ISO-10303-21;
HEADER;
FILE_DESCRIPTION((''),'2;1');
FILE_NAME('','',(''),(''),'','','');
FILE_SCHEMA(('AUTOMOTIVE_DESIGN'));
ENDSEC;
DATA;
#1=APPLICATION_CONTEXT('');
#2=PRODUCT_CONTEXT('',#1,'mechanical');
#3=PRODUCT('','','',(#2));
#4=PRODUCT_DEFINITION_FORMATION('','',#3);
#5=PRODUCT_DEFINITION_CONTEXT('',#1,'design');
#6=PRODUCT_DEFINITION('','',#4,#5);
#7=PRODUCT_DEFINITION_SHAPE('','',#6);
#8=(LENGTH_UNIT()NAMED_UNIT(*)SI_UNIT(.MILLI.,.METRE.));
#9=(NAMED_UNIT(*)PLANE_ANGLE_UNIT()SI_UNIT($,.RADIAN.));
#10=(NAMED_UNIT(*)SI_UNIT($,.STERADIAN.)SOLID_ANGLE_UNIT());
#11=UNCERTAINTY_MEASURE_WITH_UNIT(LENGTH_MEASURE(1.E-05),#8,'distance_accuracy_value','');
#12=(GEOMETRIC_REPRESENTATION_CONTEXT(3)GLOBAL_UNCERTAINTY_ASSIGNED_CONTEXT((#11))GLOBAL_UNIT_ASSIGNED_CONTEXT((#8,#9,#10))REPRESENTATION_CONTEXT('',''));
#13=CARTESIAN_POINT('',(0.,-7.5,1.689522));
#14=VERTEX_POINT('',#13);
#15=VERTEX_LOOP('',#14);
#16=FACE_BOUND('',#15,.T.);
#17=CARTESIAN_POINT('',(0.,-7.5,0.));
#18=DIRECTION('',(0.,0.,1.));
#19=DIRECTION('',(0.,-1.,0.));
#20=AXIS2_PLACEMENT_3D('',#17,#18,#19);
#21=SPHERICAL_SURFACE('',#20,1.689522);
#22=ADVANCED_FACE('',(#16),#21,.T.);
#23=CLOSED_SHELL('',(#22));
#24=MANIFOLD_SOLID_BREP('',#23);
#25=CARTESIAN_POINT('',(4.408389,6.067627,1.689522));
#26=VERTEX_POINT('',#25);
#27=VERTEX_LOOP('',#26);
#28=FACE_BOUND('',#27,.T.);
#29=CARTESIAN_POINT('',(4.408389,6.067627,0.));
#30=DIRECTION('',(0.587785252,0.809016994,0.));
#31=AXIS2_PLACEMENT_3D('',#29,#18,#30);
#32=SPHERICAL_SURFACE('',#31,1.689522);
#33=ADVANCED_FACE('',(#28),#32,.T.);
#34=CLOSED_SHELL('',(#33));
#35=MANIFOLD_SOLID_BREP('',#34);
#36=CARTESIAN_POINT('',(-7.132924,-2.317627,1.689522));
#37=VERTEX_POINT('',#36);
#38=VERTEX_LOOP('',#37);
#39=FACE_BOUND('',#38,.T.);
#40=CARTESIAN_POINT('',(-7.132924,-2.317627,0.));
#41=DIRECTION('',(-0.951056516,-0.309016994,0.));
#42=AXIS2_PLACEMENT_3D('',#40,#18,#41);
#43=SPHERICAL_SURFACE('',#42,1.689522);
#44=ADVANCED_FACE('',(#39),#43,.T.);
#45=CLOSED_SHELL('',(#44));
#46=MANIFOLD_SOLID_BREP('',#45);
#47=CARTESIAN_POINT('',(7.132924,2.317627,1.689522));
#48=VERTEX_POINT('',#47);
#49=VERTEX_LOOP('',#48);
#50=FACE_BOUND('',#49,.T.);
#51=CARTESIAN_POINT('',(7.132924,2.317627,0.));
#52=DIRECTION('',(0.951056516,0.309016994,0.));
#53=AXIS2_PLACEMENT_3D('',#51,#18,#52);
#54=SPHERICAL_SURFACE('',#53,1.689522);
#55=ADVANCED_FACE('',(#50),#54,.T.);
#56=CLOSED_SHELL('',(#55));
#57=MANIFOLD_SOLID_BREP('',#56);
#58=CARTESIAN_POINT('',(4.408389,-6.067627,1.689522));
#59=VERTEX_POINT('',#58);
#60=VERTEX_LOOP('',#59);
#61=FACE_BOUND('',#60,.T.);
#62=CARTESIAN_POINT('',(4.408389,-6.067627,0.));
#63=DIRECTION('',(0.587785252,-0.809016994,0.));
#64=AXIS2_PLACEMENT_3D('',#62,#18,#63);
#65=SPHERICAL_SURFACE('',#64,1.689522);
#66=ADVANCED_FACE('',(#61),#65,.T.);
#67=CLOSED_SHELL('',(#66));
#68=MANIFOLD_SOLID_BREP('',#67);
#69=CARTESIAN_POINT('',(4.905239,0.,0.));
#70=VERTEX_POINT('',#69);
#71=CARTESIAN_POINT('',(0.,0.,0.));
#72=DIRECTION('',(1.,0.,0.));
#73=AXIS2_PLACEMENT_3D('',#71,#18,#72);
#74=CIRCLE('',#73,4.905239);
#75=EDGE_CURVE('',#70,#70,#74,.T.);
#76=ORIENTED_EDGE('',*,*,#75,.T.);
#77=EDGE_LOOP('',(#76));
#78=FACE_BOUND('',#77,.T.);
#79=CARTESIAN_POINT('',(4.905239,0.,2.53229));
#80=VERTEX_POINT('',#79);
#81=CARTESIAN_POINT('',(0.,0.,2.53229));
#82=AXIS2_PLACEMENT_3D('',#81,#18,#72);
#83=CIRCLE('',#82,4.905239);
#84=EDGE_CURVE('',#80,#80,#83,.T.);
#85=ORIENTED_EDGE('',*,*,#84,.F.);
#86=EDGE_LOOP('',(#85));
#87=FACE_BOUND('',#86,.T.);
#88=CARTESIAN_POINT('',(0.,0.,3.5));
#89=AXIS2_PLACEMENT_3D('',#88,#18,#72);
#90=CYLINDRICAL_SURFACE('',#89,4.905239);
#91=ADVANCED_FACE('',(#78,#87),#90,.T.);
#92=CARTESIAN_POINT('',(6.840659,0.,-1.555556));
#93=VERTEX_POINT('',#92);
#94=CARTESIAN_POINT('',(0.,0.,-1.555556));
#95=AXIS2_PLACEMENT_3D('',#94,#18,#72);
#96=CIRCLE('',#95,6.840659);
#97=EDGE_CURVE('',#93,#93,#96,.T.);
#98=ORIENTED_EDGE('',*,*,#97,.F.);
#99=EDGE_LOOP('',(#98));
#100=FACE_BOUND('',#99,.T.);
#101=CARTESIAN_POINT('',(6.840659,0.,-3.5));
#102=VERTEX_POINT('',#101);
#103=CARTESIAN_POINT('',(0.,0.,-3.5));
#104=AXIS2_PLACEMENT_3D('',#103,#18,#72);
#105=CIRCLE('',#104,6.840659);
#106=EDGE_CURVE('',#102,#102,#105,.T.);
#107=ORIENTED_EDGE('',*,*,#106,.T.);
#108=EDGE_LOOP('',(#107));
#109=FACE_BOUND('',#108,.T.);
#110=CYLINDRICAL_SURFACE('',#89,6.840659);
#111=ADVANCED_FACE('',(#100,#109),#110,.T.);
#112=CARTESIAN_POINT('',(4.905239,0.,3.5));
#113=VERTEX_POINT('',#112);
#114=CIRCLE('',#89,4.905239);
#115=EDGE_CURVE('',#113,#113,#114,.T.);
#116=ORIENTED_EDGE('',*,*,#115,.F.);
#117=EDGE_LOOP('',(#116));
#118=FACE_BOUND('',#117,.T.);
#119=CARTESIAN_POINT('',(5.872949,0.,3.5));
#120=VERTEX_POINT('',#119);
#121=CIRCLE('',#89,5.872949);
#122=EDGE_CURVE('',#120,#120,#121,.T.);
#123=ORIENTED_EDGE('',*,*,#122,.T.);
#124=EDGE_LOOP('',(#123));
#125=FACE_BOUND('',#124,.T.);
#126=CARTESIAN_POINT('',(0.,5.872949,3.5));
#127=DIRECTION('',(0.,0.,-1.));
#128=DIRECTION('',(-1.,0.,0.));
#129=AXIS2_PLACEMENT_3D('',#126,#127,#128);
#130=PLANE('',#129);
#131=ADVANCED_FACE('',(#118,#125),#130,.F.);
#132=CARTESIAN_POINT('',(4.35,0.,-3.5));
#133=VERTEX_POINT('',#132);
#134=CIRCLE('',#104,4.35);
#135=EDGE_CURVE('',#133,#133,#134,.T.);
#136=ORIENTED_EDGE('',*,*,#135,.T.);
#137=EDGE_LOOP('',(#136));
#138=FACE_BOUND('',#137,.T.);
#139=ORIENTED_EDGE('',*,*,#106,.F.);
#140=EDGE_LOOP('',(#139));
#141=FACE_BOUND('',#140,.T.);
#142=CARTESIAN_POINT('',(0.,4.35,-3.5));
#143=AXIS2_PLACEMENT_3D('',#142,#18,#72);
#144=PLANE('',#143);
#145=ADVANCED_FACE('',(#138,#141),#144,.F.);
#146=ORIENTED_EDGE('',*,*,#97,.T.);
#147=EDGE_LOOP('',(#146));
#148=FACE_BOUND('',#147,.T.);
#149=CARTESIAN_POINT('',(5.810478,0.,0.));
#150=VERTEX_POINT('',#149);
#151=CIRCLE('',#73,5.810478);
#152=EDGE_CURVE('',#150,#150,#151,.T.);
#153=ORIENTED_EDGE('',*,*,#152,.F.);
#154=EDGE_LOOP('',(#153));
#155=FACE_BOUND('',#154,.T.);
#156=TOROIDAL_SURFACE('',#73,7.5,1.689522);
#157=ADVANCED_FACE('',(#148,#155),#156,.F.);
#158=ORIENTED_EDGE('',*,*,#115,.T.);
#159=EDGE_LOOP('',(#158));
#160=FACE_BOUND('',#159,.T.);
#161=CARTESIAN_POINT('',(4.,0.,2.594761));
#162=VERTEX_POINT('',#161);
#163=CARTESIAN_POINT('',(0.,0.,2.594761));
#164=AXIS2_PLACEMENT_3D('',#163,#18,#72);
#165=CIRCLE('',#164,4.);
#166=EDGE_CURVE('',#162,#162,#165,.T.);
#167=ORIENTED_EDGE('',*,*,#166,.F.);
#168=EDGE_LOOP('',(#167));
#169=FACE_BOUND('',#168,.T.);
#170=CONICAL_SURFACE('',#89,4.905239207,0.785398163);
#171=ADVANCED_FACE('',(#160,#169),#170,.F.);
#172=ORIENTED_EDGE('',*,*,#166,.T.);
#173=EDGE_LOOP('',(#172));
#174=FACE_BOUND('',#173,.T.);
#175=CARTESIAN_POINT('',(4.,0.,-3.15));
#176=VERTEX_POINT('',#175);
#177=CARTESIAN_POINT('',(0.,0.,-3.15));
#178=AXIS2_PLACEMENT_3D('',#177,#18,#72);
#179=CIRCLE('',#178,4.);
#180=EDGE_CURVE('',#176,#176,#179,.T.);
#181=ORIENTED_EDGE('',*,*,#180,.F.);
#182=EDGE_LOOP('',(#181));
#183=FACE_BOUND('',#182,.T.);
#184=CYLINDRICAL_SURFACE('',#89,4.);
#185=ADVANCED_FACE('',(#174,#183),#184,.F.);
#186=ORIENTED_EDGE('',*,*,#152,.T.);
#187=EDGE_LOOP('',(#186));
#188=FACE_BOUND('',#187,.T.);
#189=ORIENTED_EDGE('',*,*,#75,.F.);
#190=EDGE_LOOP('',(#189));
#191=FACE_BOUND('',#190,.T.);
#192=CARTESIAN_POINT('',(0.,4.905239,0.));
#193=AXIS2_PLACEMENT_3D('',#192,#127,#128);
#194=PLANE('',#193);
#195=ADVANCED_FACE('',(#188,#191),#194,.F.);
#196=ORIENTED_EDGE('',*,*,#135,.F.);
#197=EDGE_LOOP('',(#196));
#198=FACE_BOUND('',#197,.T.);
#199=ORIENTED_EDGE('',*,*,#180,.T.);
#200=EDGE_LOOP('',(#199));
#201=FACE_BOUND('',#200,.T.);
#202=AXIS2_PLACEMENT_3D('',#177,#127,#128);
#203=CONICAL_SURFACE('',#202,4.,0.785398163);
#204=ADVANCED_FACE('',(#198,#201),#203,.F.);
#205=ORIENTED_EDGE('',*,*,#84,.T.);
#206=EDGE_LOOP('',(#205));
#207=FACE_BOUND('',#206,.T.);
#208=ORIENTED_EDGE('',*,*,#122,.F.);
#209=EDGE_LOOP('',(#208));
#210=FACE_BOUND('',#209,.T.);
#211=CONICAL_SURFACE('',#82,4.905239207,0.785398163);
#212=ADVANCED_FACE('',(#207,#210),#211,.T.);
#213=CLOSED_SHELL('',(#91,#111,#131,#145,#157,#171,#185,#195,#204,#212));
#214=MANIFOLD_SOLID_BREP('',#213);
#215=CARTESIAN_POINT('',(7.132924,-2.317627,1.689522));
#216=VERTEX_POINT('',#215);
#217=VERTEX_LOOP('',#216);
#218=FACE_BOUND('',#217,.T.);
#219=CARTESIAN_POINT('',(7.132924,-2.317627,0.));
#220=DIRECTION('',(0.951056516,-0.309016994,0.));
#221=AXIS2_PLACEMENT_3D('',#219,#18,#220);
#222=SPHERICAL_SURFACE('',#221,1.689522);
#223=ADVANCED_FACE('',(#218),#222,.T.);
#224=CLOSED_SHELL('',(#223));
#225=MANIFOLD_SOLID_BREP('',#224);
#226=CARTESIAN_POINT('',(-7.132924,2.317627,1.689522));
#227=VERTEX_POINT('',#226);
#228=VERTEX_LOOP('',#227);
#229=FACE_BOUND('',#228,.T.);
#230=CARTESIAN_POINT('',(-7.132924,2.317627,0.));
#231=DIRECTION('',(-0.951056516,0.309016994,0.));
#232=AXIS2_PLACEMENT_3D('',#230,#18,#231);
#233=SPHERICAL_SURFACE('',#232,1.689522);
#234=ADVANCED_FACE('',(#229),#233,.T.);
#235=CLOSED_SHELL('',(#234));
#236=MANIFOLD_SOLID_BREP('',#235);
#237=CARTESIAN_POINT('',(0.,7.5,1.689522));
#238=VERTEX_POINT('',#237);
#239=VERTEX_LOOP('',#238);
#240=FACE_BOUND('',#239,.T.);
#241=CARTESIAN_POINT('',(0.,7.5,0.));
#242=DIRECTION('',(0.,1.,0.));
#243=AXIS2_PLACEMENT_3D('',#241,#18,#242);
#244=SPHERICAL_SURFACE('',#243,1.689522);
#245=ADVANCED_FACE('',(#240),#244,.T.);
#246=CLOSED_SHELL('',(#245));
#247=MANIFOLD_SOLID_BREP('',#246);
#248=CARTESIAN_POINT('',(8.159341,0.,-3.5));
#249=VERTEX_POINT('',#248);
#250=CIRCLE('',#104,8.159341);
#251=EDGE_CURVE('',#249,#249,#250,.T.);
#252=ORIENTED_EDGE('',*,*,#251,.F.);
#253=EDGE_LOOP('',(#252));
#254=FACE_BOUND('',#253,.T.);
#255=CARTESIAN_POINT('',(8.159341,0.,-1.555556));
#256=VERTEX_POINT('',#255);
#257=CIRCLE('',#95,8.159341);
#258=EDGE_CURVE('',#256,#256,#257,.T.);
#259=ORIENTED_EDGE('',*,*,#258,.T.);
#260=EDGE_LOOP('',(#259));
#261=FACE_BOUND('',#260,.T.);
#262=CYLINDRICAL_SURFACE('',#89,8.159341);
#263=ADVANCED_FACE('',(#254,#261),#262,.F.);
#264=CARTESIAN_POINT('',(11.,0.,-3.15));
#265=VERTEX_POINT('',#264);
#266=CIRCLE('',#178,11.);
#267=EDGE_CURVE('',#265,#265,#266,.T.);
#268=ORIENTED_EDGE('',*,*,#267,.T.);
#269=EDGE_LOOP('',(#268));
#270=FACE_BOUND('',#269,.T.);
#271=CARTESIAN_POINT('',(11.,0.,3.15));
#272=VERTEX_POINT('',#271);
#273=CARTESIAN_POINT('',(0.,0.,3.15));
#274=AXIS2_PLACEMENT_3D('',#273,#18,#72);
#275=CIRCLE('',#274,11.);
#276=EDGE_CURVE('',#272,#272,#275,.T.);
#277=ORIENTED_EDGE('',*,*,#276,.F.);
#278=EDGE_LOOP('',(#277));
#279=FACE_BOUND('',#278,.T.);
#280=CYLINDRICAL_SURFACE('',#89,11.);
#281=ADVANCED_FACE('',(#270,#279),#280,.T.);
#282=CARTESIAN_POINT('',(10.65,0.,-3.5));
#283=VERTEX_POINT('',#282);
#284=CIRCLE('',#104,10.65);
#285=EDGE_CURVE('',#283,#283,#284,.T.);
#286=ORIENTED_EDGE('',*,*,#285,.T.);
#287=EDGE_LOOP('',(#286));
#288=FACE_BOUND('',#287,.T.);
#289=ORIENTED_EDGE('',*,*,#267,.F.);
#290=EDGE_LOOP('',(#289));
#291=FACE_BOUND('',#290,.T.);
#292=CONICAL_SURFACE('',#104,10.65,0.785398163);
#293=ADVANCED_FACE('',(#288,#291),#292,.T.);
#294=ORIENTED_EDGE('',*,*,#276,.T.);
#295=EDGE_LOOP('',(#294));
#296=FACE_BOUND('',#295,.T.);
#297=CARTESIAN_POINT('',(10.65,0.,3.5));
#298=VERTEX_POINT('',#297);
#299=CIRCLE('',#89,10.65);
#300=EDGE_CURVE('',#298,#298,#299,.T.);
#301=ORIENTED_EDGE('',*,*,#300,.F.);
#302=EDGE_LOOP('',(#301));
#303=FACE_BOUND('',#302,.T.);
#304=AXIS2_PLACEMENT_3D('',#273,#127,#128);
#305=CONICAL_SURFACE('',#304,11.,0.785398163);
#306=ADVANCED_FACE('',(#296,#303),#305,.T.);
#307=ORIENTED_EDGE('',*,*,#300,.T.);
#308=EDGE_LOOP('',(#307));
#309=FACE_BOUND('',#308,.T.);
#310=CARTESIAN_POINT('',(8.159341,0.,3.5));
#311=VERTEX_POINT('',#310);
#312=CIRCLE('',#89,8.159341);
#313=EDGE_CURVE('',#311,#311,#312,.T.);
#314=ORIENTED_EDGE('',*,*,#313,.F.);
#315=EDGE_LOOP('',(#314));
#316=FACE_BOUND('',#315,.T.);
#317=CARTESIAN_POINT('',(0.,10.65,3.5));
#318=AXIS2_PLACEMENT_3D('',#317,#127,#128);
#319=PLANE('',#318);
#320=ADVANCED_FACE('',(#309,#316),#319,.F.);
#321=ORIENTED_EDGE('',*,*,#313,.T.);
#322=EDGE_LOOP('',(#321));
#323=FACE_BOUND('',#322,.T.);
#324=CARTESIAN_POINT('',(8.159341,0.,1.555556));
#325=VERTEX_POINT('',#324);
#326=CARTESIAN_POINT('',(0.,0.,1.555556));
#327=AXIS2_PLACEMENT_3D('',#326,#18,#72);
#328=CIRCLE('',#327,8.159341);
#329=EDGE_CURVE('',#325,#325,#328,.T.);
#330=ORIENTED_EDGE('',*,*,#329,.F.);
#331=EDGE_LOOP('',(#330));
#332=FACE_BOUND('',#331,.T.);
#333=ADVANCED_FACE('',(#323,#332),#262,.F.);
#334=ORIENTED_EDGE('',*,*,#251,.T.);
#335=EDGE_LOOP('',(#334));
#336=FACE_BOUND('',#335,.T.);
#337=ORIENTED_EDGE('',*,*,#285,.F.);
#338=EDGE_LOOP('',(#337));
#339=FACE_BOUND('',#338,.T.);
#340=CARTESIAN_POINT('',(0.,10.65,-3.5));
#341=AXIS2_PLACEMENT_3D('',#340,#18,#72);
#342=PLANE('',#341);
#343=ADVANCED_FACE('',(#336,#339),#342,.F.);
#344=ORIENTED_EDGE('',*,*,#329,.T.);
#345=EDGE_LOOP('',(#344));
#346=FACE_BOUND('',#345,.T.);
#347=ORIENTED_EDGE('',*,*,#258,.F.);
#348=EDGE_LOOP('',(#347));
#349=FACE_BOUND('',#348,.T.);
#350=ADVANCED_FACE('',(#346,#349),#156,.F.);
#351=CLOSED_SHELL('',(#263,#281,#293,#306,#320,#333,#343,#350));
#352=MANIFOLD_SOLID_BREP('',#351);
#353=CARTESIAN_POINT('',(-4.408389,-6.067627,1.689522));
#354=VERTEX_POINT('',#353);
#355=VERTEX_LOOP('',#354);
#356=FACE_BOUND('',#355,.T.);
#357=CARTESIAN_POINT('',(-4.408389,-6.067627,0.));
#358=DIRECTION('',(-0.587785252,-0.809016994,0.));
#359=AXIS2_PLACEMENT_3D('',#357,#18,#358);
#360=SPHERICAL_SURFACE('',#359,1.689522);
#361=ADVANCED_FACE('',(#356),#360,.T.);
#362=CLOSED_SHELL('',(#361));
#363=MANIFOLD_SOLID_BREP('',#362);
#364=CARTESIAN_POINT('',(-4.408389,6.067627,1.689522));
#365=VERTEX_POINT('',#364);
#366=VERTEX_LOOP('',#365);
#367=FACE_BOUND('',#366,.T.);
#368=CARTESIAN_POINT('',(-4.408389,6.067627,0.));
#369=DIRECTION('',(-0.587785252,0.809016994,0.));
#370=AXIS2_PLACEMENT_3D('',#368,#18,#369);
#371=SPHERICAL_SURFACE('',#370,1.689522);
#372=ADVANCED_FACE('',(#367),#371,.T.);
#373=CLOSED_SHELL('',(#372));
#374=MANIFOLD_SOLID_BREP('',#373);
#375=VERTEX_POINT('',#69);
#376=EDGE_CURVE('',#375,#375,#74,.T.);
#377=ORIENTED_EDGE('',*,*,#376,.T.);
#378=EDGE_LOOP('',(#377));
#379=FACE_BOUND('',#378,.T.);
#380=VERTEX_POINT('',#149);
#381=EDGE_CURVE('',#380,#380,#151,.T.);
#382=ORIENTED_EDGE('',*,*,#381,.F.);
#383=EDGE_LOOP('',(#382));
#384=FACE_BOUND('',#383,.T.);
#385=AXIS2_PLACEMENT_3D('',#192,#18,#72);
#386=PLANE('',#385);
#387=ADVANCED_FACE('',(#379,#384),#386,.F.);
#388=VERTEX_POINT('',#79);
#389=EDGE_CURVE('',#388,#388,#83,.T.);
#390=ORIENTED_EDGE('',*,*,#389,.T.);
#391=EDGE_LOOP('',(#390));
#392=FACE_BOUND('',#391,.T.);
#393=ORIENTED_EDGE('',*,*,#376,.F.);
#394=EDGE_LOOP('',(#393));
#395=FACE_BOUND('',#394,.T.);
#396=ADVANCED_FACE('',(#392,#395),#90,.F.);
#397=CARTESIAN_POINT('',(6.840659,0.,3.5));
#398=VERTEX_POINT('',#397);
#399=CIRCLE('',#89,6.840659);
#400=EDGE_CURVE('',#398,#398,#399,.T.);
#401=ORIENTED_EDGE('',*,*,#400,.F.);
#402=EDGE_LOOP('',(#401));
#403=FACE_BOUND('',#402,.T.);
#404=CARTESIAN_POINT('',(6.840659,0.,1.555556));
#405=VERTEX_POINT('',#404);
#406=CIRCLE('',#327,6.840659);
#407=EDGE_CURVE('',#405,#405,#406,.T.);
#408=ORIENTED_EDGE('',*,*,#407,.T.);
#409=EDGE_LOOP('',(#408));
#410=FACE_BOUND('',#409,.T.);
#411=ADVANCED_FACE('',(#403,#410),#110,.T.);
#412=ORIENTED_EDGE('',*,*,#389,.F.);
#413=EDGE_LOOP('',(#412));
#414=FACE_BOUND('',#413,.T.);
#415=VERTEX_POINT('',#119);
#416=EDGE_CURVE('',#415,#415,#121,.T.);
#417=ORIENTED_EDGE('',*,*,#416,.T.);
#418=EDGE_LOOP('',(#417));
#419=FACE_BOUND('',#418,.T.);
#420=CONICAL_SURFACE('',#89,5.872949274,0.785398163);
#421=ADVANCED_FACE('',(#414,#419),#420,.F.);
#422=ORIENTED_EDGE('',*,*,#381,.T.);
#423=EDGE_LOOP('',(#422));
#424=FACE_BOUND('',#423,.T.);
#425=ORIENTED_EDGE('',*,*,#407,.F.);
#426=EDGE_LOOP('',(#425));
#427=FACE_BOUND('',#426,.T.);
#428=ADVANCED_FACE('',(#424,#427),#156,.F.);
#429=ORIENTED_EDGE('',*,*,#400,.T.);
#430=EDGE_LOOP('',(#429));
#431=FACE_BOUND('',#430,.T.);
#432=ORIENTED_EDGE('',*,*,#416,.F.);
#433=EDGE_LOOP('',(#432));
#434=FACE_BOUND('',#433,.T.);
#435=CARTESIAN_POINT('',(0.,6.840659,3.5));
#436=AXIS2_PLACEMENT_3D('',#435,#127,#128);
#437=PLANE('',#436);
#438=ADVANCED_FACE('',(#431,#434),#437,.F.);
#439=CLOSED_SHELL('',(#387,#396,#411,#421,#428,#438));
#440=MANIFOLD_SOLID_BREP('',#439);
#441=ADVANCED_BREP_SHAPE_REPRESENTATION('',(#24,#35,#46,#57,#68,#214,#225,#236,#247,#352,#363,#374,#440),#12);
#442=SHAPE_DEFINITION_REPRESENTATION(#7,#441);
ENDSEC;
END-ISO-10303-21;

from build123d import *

# Parameters (mm, degrees)
CIRPATTERN1_COUNT = 10


with BuildPart() as part:
    # Sketch1 → Revolve1 (revolve)
    with BuildSketch(Plane(origin=(0, 0, 0), x_dir=(0, 0, -1), z_dir=(1, 0, 0))):
        with BuildLine():
            Line((3.15, 11), (-3.15, 11))
            Line((-3.15, 11), (-3.5, 10.65))
            Line((-3.5, 10.65), (-3.5, 8.159340659))
            Line((-3.5, 8.159340659), (-1.555555556, 8.159340659))
            ThreePointArc((-1.555555556, 8.159340659), (0, 9.189521587), (1.555555556, 8.159340659))
            Line((1.555555556, 8.159340659), (3.5, 8.159340659))
            Line((3.5, 8.159340659), (3.5, 10.65))
            Line((3.5, 10.65), (3.15, 11))
        make_face()
    revolve(axis=Axis((0, 0, 3.5), (0, 0, -1)))


with BuildPart() as body_2:
    # Sketch2 → Revolve2 (revolve)
    with BuildSketch(Plane(origin=(0, 0, 0), x_dir=(0, 0, -1), z_dir=(1, 0, 0))):
        with BuildLine():
            Line((-3.5, 6.840659341), (-1.555555556, 6.840659341))
            ThreePointArc((-1.555555556, 6.840659341), (-0.932875371, 6.091374168), (0, 5.810478413))
            Line((0, 5.810478413), (0, 4.905239207))
            Line((0, 4.905239207), (-2.532289933, 4.905239207))
            Line((-2.532289933, 4.905239207), (-3.5, 5.872949274))
            Line((-3.5, 5.872949274), (-3.5, 6.840659341))
        make_face()
    revolve(axis=Axis((0, 0, 3.5), (0, 0, -1)))


with BuildPart() as body_3:
    # Sketch3 → Revolve3 (revolve)
    with BuildSketch(Plane(origin=(0, 0, 0), x_dir=(0, 0, -1), z_dir=(1, 0, 0))):
        with BuildLine():
            Line((-3.5, 5.872949274), (-2.532289933, 4.905239207))
            Line((-2.532289933, 4.905239207), (0, 4.905239207))
            Line((0, 4.905239207), (0, 5.810478413))
            ThreePointArc((0, 5.810478413), (0.932875371, 6.091374168), (1.555555556, 6.840659341))
            Line((1.555555556, 6.840659341), (3.5, 6.840659341))
            Line((3.5, 6.840659341), (3.5, 4.35))
            Line((3.5, 4.35), (3.15, 4))
            Line((3.15, 4), (-2.594760793, 4))
            Line((-2.594760793, 4), (-3.5, 4.905239207))
            Line((-3.5, 4.905239207), (-3.5, 5.872949274))
        make_face()
    revolve(axis=Axis((0, 0, 3.5), (0, 0, -1)))


with BuildPart() as body_4:
    # Sketch4 → Revolve4 (revolve)
    with BuildSketch(Plane(origin=(0, 0, 0), x_dir=(0, 0, -1), z_dir=(1, 0, 0))):
        with BuildLine():
            Line((-1.689521587, 7.5), (1.689521587, 7.5))
            ThreePointArc((1.689521587, 7.5), (0, 9.189521587), (-1.689521587, 7.5))
        make_face()
    revolve(axis=Axis((0, 7.5, 1.689521587), (0, 0, -1)))


with BuildPart() as cirpattern1_1:
    # CirPattern1: pattern copy
    add(body_4.part.rotate(Axis((0, 0, -3.5), (0, 0, 1)), 1 * 360 / CIRPATTERN1_COUNT))


with BuildPart() as cirpattern1_2:
    # CirPattern1: pattern copy
    add(body_4.part.rotate(Axis((0, 0, -3.5), (0, 0, 1)), 2 * 360 / CIRPATTERN1_COUNT))


with BuildPart() as cirpattern1_3:
    # CirPattern1: pattern copy
    add(body_4.part.rotate(Axis((0, 0, -3.5), (0, 0, 1)), 3 * 360 / CIRPATTERN1_COUNT))


with BuildPart() as cirpattern1_4:
    # CirPattern1: pattern copy
    add(body_4.part.rotate(Axis((0, 0, -3.5), (0, 0, 1)), 4 * 360 / CIRPATTERN1_COUNT))


with BuildPart() as cirpattern1_5:
    # CirPattern1: pattern copy
    add(body_4.part.rotate(Axis((0, 0, -3.5), (0, 0, 1)), 5 * 360 / CIRPATTERN1_COUNT))


with BuildPart() as cirpattern1_6:
    # CirPattern1: pattern copy
    add(body_4.part.rotate(Axis((0, 0, -3.5), (0, 0, 1)), 6 * 360 / CIRPATTERN1_COUNT))


with BuildPart() as cirpattern1_7:
    # CirPattern1: pattern copy
    add(body_4.part.rotate(Axis((0, 0, -3.5), (0, 0, 1)), 7 * 360 / CIRPATTERN1_COUNT))


with BuildPart() as cirpattern1_8:
    # CirPattern1: pattern copy
    add(body_4.part.rotate(Axis((0, 0, -3.5), (0, 0, 1)), 8 * 360 / CIRPATTERN1_COUNT))


with BuildPart() as cirpattern1_9:
    # CirPattern1: pattern copy
    add(body_4.part.rotate(Axis((0, 0, -3.5), (0, 0, 1)), 9 * 360 / CIRPATTERN1_COUNT))


solid = Compound([part.part, body_2.part, body_3.part, body_4.part, cirpattern1_1.part, cirpattern1_2.part, cirpattern1_3.part, cirpattern1_4.part, cirpattern1_5.part, cirpattern1_6.part, cirpattern1_7.part, cirpattern1_8.part, cirpattern1_9.part])
